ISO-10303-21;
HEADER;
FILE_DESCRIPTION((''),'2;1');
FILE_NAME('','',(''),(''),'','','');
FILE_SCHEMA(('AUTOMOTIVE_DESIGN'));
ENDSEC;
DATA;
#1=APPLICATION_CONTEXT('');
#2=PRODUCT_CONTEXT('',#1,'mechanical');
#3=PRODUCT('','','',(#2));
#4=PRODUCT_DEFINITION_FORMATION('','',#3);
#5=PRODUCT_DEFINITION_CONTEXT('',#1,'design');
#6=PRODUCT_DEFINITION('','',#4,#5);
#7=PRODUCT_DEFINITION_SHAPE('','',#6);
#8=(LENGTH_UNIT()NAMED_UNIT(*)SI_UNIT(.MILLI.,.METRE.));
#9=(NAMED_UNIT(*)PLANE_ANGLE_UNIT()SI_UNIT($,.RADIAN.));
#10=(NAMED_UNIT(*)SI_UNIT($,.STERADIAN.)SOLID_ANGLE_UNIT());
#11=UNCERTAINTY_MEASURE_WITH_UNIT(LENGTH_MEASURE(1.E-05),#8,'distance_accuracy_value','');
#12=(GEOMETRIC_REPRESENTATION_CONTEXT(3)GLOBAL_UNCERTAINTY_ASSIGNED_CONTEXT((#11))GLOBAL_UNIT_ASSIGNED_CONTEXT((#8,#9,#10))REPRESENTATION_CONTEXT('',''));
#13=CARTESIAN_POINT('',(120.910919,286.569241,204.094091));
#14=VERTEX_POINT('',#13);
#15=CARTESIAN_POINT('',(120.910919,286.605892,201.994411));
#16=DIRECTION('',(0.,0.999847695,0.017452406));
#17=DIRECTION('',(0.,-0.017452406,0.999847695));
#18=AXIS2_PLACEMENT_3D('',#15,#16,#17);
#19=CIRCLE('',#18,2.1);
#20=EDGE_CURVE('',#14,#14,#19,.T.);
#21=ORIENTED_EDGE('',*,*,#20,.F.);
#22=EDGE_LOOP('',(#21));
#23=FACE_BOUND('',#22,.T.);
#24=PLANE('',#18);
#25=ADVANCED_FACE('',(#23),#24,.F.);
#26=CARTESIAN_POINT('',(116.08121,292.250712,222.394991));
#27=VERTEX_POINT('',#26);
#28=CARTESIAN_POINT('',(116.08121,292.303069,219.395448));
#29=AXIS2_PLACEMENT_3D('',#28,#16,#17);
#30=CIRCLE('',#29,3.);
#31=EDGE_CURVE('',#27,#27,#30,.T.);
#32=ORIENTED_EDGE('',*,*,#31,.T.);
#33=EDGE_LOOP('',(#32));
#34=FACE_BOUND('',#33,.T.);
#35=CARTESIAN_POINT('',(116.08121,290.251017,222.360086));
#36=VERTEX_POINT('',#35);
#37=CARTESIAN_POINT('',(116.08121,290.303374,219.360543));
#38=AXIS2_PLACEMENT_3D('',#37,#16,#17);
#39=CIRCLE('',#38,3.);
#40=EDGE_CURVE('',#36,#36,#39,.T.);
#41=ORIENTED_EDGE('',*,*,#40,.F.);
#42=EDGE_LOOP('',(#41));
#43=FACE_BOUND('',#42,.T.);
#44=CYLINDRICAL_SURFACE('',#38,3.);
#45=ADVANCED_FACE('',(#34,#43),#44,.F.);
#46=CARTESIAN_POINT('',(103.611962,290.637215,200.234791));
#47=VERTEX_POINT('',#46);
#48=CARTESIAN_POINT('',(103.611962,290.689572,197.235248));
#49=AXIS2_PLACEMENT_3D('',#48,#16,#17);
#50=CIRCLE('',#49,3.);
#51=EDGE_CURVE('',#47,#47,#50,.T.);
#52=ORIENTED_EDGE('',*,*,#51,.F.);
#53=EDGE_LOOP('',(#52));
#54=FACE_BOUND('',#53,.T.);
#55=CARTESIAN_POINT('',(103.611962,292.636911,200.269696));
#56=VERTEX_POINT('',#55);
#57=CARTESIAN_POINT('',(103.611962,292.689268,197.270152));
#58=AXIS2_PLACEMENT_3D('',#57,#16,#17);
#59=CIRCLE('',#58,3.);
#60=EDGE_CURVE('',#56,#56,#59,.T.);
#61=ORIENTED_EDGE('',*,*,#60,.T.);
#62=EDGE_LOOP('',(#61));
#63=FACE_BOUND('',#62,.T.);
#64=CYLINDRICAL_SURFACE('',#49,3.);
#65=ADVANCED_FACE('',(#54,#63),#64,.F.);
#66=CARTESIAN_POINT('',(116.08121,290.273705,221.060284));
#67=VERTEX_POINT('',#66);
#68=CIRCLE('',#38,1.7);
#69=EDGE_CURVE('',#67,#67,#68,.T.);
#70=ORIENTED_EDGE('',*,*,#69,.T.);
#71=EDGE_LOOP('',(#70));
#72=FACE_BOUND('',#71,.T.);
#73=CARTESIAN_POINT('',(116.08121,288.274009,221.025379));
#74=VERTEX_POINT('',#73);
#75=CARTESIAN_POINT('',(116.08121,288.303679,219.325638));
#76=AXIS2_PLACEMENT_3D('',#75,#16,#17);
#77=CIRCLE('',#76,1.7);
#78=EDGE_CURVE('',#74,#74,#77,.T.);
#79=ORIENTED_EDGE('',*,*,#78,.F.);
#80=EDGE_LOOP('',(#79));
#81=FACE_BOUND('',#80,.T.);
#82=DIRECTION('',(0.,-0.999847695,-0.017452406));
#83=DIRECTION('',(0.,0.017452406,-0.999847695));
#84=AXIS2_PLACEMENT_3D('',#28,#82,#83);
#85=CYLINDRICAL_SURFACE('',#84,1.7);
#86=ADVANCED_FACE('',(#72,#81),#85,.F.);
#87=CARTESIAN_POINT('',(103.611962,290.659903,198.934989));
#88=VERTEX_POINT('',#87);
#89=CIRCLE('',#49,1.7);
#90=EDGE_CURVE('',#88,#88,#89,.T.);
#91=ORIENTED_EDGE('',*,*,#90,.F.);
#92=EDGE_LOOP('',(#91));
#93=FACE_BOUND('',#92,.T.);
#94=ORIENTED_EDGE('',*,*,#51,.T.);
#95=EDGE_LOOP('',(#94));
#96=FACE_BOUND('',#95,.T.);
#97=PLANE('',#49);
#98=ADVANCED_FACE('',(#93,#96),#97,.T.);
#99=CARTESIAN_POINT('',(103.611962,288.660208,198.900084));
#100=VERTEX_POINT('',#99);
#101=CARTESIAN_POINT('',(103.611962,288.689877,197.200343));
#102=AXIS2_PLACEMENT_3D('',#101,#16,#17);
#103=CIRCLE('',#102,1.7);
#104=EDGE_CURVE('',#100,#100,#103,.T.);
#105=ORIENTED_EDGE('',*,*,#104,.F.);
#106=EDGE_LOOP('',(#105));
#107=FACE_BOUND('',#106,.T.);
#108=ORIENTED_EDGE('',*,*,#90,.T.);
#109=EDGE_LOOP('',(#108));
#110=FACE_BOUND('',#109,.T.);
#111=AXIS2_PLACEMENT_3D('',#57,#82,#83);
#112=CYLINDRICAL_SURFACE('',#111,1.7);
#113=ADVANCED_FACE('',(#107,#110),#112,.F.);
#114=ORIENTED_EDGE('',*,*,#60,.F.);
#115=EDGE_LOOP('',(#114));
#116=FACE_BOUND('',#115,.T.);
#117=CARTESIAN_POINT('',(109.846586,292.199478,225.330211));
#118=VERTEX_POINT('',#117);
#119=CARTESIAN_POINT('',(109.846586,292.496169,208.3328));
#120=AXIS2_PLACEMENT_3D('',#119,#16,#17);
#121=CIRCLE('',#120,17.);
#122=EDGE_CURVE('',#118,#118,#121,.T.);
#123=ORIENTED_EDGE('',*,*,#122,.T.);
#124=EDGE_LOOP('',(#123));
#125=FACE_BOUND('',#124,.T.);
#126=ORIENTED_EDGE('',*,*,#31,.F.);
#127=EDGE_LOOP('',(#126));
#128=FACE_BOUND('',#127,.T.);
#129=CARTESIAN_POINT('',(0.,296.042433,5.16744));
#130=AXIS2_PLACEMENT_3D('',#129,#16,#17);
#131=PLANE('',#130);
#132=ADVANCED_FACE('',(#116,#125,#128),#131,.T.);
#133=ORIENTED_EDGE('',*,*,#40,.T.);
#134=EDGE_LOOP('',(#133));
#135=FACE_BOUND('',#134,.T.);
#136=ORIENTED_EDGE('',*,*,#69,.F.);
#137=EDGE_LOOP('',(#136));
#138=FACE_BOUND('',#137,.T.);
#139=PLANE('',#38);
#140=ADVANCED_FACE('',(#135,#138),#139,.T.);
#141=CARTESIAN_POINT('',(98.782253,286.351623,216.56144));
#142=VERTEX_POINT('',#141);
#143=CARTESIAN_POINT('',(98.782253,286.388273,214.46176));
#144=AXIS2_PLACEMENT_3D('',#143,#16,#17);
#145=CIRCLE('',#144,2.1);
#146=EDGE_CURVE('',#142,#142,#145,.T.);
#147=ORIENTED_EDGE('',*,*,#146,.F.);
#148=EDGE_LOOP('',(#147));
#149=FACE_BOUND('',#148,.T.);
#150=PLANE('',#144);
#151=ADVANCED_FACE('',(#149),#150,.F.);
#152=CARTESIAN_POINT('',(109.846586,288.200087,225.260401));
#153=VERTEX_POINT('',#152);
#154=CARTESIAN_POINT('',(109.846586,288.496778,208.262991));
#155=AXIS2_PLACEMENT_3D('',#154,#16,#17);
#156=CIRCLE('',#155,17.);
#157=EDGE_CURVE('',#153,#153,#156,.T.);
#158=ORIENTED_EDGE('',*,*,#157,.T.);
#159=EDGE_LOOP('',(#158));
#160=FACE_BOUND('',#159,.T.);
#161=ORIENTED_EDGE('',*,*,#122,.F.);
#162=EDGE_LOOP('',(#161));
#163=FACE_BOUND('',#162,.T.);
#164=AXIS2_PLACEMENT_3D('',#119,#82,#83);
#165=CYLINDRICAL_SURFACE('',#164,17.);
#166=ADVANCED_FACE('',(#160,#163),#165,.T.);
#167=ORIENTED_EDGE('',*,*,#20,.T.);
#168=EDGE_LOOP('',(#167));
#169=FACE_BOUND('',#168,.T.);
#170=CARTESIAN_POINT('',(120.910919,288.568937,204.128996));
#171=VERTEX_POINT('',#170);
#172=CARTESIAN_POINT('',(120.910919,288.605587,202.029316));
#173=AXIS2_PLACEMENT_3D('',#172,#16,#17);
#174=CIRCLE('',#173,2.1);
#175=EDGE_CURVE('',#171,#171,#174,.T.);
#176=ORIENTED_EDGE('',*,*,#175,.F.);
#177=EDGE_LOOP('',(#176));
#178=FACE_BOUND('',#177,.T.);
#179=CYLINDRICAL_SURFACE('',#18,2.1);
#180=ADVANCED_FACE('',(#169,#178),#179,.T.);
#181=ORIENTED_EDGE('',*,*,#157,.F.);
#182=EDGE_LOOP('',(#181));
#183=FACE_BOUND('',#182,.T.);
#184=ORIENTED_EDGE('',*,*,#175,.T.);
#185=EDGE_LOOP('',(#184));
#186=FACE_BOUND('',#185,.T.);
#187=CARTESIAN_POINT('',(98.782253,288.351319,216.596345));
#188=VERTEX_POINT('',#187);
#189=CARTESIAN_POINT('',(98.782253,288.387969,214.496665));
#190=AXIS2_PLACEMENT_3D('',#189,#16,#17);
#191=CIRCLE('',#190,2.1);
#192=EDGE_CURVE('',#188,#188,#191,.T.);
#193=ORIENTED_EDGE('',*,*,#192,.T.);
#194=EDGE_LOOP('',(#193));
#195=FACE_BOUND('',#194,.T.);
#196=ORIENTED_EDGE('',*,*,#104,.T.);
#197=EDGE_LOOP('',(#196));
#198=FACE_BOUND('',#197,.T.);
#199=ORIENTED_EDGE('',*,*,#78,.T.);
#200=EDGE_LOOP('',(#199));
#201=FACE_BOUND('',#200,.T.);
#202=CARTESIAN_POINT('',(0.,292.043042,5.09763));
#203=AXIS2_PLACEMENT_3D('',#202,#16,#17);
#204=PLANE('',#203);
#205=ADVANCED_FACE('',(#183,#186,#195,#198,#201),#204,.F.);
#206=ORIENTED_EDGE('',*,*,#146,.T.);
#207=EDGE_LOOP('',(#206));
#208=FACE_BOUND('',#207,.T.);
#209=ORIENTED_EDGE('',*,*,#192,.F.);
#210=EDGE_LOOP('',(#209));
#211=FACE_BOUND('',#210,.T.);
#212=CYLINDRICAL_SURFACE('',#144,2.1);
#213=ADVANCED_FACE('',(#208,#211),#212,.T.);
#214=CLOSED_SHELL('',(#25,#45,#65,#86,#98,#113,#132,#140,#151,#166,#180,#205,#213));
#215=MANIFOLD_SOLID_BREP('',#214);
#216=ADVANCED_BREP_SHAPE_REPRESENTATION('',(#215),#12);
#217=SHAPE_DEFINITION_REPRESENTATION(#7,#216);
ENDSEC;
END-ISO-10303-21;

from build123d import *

# Parameters (mm, degrees)
SKETCH1_R           = 17
SKETCH1_R_2         = 2.1
SKETCH1_R_3         = 1.7
BOSS_EXTRUDE1_DEPTH = 4
BOSS_EXTRUDE2_START = -6
SKETCH2_R           = 2.1
BOSS_EXTRUDE2_DEPTH = 6
CUT_EXTRUDE1_START  = -2
SKETCH3_R           = 3
SKETCH3_R_2         = 1.7
CUT_EXTRUDE1_DEPTH  = 2


with BuildPart() as part:
    # Sketch1 → Boss-Extrude1 (new body)
    with BuildSketch(Plane(origin=(0, 292.043042306, 5.097630265), x_dir=(1, 0, 0), z_dir=(0, 0.9998476951563913, 0.017452406437283286))):
        with Locations(Location((109.84658574, -203.196308074, 0), (0, 0, 270))):
            Circle(SKETCH1_R)
        with Locations(Location((120.910918653, -196.961684011, 0), (0, 0, 270))):
            Circle(SKETCH1_R_2, mode=Mode.SUBTRACT)
        with Locations(Location((98.782252828, -209.430932137, 0), (0, 0, 270))):
            Circle(SKETCH1_R_2, mode=Mode.SUBTRACT)
        with Locations(Location((116.081209803, -214.260640986, 0), (0, 0, 270))):
            Circle(SKETCH1_R_3, mode=Mode.SUBTRACT)
        with Locations(Location((103.611961678, -192.131975161, 0), (0, 0, 270))):
            Circle(SKETCH1_R_3, mode=Mode.SUBTRACT)
    extrude(amount=BOSS_EXTRUDE1_DEPTH)

    # Sketch2 → Boss-Extrude2 (add)
    with BuildSketch(Plane(origin=(0, 296.042433086, 5.167439891), x_dir=(1, 0, 0), z_dir=(0, 0.9998476951563913, 0.01745240643728325)).offset(BOSS_EXTRUDE2_START)):
        with Locations(Location((98.782252828, -209.430932137, 0), (0, 0, 270))):
            Circle(SKETCH2_R)
        with Locations(Location((120.910918653, -196.961684011, 0), (0, 0, 270))):
            Circle(SKETCH2_R)
    extrude(amount=BOSS_EXTRUDE2_DEPTH)

    # Sketch3 → Cut-Extrude1 (cut)
    # profile 1 of 2: a face of its own
    with BuildSketch(Plane(origin=(0, 296.042433086, 5.167439891), x_dir=(1, 0, 0), z_dir=(0, 0.9998476951563913, 0.01745240643728325)).offset(CUT_EXTRUDE1_START)):
        with Locations(Location((103.611961678, -192.131975161, 0), (0, 0, 270))):
            Circle(SKETCH3_R)
        with Locations(Location((103.611961678, -192.131975161, 0), (0, 0, 270))):
            Circle(SKETCH3_R_2, mode=Mode.SUBTRACT)
    # profile 2 of 2: a face of its own
    with BuildSketch(Plane(origin=(0, 296.042433086, 5.167439891), x_dir=(1, 0, 0), z_dir=(0, 0.9998476951563913, 0.01745240643728325)).offset(CUT_EXTRUDE1_START)):
        with Locations(Location((116.081209803, -214.260640986, 0), (0, 0, 270))):
            Circle(SKETCH3_R)
        with Locations(Location((116.081209803, -214.260640986, 0), (0, 0, 270))):
            Circle(SKETCH3_R_2, mode=Mode.SUBTRACT)
    extrude(amount=CUT_EXTRUDE1_DEPTH, mode=Mode.SUBTRACT)


solid = part.part
